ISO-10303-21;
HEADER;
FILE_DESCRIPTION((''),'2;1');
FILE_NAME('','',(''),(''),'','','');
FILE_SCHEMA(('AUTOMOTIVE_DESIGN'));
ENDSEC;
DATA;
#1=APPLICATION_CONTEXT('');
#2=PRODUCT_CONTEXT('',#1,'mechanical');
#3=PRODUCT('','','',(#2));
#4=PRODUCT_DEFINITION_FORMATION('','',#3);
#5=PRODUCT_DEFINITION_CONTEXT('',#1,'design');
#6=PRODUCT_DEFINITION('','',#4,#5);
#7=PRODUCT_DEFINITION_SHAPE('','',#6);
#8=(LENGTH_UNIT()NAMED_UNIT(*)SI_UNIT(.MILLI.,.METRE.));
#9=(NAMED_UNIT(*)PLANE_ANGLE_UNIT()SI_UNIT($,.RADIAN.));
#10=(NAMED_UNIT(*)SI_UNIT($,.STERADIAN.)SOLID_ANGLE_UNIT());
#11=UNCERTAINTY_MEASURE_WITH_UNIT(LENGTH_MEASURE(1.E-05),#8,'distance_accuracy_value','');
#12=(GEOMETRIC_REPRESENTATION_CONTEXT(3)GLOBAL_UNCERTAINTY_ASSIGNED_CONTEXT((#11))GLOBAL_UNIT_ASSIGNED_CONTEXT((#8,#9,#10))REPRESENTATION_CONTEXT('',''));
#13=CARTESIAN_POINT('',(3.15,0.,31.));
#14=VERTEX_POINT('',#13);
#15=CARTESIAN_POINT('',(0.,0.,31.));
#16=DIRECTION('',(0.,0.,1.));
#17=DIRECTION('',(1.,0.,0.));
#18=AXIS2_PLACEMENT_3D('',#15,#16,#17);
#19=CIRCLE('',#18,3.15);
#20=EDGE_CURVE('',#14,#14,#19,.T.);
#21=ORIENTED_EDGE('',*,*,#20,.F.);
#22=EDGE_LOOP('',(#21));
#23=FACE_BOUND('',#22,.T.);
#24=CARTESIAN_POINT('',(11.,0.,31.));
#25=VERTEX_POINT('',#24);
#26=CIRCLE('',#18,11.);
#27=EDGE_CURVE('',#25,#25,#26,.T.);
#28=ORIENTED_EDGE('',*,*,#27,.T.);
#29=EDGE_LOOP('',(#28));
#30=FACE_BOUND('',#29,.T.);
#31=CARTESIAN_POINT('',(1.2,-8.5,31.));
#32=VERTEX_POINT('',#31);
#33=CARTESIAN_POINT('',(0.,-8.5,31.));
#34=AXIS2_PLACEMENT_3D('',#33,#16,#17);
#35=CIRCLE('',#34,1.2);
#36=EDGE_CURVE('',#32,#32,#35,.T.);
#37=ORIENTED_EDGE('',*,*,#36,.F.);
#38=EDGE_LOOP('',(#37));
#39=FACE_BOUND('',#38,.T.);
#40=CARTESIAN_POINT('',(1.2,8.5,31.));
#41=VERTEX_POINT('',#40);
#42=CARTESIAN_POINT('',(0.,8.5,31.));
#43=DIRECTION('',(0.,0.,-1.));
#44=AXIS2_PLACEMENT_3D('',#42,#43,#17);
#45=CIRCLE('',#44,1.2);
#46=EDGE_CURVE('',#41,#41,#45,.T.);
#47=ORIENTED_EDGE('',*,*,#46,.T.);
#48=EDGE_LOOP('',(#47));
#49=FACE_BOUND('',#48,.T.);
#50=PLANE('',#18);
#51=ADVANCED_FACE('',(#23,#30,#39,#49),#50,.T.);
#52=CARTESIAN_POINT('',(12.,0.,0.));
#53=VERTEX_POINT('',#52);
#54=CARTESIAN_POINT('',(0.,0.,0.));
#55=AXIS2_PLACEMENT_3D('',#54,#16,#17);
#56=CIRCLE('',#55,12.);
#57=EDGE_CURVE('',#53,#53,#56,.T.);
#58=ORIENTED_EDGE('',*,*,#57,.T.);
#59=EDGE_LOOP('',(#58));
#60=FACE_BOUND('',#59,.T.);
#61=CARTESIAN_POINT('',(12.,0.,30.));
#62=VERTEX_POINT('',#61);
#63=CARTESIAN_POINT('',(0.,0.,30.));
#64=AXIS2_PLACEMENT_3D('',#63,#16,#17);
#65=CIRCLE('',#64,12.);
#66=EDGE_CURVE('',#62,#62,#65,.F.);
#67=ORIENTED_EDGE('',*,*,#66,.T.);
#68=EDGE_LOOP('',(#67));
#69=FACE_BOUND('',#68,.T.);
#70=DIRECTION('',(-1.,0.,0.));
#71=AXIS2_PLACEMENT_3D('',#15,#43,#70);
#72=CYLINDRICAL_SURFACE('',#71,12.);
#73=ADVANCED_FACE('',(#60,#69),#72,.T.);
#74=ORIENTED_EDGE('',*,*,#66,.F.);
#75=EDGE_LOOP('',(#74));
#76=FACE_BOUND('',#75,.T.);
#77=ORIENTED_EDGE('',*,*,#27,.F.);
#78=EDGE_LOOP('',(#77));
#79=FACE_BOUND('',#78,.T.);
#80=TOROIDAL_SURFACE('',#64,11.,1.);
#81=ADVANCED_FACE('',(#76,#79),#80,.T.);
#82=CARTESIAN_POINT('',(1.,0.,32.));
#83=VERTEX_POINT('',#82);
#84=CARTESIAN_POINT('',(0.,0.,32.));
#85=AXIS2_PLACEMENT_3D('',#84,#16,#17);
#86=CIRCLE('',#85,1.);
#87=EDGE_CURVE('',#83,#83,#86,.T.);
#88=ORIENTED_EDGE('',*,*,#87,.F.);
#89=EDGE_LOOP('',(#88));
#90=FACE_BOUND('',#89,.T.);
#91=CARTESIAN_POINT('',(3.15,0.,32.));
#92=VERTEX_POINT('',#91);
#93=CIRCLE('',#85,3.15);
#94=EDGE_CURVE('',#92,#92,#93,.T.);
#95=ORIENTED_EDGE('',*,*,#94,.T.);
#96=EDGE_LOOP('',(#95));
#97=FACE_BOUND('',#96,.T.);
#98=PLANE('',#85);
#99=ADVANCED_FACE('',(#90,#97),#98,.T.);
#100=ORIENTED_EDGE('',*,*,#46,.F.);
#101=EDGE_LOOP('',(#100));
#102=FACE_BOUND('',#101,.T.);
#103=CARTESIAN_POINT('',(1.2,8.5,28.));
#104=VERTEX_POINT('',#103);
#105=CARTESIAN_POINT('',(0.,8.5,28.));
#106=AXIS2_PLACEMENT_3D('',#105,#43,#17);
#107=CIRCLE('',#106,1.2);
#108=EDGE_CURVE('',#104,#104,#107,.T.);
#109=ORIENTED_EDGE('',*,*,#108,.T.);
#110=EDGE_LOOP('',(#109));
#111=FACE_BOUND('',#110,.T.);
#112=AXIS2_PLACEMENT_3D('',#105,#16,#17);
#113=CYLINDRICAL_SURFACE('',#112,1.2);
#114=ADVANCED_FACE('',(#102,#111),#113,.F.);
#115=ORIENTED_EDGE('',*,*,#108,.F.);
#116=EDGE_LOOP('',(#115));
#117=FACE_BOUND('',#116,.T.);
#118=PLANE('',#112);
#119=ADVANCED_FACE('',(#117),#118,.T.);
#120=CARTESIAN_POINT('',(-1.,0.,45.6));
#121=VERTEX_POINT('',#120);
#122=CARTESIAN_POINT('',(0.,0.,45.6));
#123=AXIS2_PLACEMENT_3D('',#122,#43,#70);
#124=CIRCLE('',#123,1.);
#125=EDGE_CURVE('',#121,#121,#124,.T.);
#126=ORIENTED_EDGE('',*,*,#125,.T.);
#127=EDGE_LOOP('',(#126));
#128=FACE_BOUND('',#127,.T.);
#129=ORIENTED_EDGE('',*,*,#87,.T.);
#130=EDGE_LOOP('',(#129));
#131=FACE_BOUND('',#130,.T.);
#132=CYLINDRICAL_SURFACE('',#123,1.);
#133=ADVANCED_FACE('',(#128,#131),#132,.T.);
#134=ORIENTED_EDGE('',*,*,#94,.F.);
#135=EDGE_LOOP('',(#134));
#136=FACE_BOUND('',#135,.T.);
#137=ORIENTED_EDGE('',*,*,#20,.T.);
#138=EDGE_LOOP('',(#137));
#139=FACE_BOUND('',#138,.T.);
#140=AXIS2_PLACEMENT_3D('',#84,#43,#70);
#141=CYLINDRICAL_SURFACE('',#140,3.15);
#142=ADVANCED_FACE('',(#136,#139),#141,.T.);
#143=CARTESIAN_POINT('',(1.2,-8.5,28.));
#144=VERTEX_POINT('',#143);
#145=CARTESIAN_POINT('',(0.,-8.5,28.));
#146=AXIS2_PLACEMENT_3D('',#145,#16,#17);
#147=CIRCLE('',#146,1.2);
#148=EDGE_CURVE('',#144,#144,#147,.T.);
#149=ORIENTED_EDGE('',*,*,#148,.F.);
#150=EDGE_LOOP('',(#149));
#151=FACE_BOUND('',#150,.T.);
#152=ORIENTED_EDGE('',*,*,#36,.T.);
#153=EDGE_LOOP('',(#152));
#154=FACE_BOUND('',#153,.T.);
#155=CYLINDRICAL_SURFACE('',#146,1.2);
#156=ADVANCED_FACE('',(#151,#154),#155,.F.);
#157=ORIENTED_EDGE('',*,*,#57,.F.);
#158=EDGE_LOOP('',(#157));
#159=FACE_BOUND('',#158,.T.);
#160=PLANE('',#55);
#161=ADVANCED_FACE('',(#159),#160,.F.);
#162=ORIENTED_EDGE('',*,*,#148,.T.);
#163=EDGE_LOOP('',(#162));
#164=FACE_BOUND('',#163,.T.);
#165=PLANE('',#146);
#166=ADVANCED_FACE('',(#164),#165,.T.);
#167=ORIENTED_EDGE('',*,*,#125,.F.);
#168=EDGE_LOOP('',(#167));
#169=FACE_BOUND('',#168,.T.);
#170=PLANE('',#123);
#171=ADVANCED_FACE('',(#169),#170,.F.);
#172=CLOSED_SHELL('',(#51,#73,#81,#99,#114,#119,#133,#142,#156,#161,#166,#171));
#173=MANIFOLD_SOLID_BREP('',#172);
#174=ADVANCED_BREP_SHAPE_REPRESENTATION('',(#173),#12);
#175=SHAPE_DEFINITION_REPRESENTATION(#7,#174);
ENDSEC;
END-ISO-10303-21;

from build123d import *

# Parameters (mm, degrees)
SKETCH1_R           = 12
BOSS_EXTRUDE1_DEPTH = 31
FILLET1_R           = 1
SKETCH2_R           = 3.15
BOSS_EXTRUDE2_DEPTH = 1
SKETCH4_R           = 1
BOSS_EXTRUDE3_DEPTH = 45.6
SKETCH5_R           = 1.2
CUT_EXTRUDE1_DEPTH  = 3


with BuildPart() as part:
    # Sketch1 → Boss-Extrude1 (new body)
    with BuildSketch(Plane.XY):
        Circle(SKETCH1_R)
    extrude(amount=BOSS_EXTRUDE1_DEPTH)

    # Fillet1
    fillet1_edges = [part.edges().sort_by_distance(p)[0] for p in [
        (-12, 0, 31),
    ]]
    fillet(fillet1_edges, radius=FILLET1_R)

    # Sketch2 → Boss-Extrude2 (add)
    with BuildSketch(Plane.XY.offset(31)):
        Circle(SKETCH2_R)
    extrude(amount=BOSS_EXTRUDE2_DEPTH)

    # Sketch4 → Boss-Extrude3 (add)
    with BuildSketch(Plane(origin=(0, 0, 0), x_dir=(-1, 0, 0), z_dir=(0, 0, -1))):
        Circle(SKETCH4_R)
    extrude(amount=-BOSS_EXTRUDE3_DEPTH)

    # Sketch5 → Cut-Extrude1 (cut)
    with BuildSketch(Plane.XY.offset(31)):
        with Locations((0, -8.5)):
            Circle(SKETCH5_R)
    cut_extrude1 = extrude(amount=-CUT_EXTRUDE1_DEPTH, mode=Mode.SUBTRACT)

    # Mirror1: Cut-Extrude1 across plane
    add(cut_extrude1.mirror(Plane.ZX), mode=Mode.SUBTRACT)


solid = part.part
